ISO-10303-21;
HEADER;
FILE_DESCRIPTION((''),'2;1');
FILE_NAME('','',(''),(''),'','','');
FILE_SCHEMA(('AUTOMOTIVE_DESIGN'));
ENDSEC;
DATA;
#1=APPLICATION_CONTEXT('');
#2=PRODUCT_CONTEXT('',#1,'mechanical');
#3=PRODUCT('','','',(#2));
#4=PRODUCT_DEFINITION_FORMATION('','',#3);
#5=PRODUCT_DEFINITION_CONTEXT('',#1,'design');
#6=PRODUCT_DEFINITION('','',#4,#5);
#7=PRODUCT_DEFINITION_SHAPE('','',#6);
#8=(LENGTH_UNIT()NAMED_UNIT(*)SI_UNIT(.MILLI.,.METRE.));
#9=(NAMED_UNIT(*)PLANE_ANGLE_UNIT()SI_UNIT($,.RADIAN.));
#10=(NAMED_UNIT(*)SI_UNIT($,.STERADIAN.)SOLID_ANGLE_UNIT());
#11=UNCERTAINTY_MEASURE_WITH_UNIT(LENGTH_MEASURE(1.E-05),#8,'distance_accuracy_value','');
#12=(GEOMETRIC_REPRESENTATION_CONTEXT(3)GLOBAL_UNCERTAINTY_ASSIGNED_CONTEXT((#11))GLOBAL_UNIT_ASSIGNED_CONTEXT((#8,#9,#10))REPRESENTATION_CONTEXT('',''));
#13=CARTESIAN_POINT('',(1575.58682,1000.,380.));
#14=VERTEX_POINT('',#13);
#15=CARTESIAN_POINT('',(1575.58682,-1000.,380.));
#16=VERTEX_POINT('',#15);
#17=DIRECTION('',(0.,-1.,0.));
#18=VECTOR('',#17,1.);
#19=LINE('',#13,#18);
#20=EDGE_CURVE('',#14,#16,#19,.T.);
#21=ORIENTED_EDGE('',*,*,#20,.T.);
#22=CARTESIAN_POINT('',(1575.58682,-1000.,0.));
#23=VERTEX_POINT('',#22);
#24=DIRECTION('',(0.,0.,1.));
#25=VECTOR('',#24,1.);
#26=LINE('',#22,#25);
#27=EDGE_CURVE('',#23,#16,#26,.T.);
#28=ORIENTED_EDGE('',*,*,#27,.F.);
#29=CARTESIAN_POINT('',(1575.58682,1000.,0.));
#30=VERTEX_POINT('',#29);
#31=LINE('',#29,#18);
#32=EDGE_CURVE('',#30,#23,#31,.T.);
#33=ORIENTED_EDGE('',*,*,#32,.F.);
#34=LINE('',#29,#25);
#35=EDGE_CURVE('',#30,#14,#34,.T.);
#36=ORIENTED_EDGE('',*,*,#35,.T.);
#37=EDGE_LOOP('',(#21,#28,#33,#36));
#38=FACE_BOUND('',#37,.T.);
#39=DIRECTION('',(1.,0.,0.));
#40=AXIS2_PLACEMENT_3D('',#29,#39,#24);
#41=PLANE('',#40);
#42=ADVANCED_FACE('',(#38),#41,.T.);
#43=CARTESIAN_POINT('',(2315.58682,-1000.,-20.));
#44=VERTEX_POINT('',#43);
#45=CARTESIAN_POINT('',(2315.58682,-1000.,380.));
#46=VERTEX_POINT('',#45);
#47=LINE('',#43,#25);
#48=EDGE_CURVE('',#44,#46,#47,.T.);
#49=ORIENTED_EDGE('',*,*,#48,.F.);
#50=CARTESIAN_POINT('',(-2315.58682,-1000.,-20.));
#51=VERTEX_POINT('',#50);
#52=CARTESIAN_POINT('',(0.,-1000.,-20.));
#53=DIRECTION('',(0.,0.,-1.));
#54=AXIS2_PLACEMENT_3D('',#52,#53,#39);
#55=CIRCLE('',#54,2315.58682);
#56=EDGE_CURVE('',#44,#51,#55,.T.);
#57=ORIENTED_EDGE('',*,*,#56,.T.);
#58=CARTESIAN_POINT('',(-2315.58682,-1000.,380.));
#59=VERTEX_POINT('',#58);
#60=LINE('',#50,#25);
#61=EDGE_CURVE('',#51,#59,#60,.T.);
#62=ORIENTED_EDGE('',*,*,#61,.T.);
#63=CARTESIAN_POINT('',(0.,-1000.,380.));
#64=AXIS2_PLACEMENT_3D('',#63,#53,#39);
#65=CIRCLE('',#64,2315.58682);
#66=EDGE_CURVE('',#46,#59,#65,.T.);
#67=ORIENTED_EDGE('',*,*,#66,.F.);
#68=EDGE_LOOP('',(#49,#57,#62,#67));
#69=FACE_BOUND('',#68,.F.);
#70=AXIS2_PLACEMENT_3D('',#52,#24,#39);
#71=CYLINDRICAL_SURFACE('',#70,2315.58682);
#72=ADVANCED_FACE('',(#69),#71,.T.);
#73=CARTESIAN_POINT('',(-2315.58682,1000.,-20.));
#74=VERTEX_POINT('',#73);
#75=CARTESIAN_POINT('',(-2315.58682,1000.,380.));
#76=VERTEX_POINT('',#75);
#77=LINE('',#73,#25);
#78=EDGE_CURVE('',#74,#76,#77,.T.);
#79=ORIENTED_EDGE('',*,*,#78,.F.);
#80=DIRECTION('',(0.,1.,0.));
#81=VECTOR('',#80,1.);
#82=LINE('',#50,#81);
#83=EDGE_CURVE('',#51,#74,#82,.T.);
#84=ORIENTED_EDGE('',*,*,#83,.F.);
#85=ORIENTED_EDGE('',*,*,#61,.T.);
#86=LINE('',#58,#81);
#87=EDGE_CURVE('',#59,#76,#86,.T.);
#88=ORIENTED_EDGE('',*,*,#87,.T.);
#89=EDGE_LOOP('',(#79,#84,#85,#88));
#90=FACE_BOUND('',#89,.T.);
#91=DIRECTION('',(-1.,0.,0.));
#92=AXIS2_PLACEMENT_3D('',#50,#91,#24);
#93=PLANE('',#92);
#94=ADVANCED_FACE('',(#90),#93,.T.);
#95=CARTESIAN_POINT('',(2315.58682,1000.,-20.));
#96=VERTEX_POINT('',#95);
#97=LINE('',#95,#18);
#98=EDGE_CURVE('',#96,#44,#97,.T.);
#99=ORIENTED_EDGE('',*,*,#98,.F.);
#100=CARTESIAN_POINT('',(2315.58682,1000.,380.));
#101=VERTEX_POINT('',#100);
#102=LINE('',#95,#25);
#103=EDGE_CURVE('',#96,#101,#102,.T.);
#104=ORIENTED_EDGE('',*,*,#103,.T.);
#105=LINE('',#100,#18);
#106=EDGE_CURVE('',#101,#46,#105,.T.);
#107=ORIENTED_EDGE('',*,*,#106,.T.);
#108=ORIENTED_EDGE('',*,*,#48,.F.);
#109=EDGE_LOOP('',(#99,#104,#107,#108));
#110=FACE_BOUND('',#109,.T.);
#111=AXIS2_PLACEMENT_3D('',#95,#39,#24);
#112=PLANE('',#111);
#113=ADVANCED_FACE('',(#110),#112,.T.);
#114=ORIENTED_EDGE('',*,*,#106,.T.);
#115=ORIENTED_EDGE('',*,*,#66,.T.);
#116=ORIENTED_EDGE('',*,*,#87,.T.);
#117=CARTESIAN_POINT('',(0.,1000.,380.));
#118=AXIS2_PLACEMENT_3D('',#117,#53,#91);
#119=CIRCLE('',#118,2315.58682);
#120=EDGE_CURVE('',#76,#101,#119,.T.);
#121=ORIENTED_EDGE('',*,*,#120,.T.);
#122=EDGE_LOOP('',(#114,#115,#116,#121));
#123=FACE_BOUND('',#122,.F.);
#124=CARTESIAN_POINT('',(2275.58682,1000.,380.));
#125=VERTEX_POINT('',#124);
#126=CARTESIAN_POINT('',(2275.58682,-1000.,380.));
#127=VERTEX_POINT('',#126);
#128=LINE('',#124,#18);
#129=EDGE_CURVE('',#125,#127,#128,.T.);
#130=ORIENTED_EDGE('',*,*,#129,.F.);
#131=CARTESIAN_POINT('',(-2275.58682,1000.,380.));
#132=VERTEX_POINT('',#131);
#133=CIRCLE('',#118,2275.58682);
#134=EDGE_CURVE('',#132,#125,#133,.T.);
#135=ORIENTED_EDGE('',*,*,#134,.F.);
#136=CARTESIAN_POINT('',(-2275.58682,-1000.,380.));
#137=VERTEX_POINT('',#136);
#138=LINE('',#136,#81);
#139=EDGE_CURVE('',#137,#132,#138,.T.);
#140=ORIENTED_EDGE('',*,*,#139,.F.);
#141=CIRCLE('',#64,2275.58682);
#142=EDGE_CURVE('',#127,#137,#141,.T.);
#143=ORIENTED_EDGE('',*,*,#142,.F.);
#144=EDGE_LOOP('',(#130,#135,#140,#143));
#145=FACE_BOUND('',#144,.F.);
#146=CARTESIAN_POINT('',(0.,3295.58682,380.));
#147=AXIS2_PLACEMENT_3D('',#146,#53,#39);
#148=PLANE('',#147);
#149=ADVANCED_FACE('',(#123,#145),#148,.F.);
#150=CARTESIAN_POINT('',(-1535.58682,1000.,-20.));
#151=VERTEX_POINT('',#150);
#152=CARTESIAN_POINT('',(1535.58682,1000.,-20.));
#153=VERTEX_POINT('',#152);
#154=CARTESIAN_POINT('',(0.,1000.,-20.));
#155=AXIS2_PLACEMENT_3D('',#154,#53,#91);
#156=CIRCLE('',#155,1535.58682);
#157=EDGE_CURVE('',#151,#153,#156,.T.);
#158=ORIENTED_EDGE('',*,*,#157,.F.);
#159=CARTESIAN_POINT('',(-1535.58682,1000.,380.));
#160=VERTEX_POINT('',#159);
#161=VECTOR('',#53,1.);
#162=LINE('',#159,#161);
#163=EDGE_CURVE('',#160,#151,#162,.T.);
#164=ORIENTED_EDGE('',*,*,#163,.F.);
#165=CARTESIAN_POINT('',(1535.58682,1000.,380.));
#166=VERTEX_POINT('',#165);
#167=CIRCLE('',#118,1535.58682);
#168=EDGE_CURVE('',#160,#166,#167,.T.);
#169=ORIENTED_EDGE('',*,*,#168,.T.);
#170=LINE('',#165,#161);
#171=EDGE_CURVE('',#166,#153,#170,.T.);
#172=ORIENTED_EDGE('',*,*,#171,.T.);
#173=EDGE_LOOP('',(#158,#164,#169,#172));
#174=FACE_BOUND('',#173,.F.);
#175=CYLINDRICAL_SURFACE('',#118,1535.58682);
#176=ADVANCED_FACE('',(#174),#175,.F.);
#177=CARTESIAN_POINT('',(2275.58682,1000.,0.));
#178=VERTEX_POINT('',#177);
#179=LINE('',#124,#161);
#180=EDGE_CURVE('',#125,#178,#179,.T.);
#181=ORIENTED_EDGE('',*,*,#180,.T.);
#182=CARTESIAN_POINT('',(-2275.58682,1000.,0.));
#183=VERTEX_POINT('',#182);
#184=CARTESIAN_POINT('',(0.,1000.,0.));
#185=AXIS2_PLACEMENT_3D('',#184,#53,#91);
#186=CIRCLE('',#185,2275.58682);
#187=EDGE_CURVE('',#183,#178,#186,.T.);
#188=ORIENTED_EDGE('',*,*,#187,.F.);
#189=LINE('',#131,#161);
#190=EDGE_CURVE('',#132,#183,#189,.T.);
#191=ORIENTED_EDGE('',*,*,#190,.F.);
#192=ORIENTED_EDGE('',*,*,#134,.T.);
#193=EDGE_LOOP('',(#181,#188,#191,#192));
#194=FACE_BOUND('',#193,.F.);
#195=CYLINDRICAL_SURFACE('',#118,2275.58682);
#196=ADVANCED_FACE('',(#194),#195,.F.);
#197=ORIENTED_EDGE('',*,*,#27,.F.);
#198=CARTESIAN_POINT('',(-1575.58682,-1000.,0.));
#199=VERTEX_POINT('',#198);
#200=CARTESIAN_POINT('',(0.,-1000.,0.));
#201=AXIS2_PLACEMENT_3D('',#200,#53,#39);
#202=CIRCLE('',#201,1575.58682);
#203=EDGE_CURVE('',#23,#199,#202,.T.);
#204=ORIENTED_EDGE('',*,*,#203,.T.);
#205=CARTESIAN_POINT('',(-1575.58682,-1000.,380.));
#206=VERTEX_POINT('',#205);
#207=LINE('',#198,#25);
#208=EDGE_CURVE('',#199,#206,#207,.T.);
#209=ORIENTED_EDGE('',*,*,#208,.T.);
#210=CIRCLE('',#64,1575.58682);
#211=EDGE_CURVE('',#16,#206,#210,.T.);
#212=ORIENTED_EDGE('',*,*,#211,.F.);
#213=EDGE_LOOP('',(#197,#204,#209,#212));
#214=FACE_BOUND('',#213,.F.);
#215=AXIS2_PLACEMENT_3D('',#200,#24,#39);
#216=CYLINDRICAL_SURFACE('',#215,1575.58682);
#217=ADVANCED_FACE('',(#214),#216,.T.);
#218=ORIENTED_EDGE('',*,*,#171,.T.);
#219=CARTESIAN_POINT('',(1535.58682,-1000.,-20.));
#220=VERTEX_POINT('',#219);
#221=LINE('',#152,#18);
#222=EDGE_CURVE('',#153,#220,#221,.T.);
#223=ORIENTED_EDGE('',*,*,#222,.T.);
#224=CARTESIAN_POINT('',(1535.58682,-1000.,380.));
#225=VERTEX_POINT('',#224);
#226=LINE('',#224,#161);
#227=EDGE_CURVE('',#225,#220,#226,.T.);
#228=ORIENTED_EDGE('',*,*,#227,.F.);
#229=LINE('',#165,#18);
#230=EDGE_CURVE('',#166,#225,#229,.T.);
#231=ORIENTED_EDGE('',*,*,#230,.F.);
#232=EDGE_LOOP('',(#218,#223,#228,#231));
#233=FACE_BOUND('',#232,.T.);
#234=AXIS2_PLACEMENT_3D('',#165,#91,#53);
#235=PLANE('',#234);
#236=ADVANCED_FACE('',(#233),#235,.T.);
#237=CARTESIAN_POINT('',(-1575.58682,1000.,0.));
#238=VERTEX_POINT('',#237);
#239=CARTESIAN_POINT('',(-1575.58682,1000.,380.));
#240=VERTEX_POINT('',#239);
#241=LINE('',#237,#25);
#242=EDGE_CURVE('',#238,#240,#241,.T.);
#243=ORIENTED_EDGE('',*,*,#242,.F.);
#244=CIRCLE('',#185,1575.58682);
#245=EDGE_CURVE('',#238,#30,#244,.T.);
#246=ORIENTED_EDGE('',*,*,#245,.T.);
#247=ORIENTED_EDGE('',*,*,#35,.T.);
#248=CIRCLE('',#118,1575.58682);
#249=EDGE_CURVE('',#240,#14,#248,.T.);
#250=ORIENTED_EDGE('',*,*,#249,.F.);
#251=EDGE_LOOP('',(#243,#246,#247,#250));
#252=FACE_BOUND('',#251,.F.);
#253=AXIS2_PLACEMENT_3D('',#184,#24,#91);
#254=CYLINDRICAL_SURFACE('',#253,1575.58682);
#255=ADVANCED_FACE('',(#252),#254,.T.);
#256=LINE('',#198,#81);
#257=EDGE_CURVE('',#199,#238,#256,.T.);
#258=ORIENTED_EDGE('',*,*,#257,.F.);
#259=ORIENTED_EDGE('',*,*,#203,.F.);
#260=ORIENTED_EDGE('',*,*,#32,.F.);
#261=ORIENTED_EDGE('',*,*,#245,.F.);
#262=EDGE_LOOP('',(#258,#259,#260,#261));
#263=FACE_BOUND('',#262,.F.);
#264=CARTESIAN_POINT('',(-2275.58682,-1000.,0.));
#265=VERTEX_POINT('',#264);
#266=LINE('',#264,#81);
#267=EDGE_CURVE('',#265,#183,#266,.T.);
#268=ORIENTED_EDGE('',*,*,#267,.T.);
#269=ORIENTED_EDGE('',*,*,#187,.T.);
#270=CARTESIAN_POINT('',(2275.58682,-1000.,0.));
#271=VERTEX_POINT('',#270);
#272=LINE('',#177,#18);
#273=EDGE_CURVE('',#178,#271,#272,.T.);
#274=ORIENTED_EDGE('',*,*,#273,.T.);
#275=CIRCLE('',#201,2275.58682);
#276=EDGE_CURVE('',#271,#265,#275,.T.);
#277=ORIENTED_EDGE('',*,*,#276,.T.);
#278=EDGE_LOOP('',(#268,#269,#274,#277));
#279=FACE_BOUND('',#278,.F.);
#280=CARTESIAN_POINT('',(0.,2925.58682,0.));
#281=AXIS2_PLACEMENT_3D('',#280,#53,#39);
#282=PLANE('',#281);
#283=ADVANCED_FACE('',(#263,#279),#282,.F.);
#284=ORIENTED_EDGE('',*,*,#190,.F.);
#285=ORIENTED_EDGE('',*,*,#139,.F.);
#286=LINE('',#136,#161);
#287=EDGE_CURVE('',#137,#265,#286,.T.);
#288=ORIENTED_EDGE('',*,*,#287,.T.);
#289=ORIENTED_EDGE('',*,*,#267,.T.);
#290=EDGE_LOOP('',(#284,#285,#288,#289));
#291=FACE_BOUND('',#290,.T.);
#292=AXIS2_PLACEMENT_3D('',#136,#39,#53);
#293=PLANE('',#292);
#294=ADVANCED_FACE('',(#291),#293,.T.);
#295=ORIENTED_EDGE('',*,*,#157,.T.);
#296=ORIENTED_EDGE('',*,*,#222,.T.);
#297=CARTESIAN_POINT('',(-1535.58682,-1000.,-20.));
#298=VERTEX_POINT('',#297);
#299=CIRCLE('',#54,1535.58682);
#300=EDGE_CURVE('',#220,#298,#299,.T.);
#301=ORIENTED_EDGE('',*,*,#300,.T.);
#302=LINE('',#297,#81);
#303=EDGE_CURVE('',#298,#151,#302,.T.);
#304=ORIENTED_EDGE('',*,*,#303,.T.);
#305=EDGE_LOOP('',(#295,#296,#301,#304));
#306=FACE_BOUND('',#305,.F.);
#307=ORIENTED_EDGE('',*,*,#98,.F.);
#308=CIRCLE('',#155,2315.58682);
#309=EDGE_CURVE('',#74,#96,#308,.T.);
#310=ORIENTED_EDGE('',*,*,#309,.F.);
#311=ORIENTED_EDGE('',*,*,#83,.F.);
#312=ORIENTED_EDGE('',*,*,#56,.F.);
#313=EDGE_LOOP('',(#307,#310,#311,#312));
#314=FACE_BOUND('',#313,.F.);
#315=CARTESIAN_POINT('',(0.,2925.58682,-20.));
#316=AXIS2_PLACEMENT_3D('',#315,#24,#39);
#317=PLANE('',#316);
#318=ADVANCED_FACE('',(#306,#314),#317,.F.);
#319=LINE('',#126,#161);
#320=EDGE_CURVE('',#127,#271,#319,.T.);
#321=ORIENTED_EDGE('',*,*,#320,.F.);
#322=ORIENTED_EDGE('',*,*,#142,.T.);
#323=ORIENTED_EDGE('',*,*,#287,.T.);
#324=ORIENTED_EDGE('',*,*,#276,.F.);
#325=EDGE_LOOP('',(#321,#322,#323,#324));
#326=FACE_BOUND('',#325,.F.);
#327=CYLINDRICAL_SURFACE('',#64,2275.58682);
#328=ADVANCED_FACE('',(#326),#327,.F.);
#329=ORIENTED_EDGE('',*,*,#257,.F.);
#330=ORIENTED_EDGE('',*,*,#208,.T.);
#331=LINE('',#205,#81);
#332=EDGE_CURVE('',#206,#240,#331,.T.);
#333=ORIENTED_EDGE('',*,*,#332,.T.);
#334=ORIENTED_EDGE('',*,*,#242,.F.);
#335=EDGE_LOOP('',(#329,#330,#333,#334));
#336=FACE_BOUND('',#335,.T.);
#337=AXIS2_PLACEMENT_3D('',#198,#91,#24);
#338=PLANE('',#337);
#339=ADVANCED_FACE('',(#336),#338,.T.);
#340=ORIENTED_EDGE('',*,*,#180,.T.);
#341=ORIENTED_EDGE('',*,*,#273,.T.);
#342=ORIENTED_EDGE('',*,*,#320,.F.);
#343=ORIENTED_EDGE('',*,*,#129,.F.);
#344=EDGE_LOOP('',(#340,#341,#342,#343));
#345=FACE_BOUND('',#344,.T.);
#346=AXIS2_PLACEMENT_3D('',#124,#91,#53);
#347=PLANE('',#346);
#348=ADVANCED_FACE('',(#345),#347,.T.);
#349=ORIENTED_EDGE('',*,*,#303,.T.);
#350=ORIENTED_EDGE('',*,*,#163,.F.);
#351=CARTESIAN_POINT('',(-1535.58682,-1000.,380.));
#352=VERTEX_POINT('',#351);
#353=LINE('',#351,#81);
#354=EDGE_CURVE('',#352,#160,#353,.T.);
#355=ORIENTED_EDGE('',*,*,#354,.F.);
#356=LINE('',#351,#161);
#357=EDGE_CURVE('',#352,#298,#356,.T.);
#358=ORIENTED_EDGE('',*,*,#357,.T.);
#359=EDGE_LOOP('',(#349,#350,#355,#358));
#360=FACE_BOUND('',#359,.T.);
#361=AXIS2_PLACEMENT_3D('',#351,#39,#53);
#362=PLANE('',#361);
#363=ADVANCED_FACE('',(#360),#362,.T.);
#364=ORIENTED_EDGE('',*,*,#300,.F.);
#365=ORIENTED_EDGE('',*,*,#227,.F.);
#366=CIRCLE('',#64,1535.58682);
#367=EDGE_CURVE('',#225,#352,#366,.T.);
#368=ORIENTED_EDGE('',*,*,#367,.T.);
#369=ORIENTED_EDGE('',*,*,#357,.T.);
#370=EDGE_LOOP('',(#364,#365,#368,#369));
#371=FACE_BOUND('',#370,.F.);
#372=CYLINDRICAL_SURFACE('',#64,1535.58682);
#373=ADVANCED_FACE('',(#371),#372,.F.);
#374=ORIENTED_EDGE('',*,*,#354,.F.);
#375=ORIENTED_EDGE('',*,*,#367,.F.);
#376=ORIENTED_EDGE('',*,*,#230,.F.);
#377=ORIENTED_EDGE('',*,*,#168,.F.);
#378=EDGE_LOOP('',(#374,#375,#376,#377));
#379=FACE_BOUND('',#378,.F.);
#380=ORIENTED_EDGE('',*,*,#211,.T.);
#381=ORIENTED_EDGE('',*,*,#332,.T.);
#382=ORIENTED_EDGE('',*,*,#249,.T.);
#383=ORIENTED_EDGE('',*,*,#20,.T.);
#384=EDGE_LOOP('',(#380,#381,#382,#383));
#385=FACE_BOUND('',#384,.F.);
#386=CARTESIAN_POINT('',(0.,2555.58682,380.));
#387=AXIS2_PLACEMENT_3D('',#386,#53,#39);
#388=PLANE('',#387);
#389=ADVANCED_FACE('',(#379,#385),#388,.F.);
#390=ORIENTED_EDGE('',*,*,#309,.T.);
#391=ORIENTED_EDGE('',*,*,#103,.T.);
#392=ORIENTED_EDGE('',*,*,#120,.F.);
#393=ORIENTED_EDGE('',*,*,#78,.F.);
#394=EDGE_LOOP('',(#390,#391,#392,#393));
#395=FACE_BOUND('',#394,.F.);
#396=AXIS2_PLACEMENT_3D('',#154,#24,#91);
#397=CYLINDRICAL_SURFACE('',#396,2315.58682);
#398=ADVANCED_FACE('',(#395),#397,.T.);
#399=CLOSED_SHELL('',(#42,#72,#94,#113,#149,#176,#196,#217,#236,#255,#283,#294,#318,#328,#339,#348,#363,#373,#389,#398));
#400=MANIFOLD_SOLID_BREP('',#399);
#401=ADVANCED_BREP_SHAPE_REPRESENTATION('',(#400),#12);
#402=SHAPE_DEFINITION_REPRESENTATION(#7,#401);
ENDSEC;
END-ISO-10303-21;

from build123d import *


with BuildPart() as f2:
    # F2: sweep along a path in F0
    with BuildLine(Plane.XY) as f2_path:
        ThreePointArc((-2000, 1000), (0, 3000), (2000, 1000))
        Line((2000, 1000), (2000, 0))
        Line((2000, 0), (2000, -1000))
        ThreePointArc((2000, -1000), (0, -3000), (-2000, -1000))
        Line((-2000, -1000), (-2000, 0))
        Line((-2000, 0), (-2000, 1000))
    # F1 (on Front) → F2 (sweep)
    with BuildSketch(Plane.XZ):
        Polygon((1535.5868196487, -20), (1925.5868196487, -20), (2315.5868196487, -20), (2315.5868196487, 380), (2275.5868196487, 380), (2275.5868196487, 0), (1575.5868196487, 0), (1575.5868196487, 380), (1535.5868196487, 380), align=None)
    sweep(path=f2_path.line)


solid = f2.part
